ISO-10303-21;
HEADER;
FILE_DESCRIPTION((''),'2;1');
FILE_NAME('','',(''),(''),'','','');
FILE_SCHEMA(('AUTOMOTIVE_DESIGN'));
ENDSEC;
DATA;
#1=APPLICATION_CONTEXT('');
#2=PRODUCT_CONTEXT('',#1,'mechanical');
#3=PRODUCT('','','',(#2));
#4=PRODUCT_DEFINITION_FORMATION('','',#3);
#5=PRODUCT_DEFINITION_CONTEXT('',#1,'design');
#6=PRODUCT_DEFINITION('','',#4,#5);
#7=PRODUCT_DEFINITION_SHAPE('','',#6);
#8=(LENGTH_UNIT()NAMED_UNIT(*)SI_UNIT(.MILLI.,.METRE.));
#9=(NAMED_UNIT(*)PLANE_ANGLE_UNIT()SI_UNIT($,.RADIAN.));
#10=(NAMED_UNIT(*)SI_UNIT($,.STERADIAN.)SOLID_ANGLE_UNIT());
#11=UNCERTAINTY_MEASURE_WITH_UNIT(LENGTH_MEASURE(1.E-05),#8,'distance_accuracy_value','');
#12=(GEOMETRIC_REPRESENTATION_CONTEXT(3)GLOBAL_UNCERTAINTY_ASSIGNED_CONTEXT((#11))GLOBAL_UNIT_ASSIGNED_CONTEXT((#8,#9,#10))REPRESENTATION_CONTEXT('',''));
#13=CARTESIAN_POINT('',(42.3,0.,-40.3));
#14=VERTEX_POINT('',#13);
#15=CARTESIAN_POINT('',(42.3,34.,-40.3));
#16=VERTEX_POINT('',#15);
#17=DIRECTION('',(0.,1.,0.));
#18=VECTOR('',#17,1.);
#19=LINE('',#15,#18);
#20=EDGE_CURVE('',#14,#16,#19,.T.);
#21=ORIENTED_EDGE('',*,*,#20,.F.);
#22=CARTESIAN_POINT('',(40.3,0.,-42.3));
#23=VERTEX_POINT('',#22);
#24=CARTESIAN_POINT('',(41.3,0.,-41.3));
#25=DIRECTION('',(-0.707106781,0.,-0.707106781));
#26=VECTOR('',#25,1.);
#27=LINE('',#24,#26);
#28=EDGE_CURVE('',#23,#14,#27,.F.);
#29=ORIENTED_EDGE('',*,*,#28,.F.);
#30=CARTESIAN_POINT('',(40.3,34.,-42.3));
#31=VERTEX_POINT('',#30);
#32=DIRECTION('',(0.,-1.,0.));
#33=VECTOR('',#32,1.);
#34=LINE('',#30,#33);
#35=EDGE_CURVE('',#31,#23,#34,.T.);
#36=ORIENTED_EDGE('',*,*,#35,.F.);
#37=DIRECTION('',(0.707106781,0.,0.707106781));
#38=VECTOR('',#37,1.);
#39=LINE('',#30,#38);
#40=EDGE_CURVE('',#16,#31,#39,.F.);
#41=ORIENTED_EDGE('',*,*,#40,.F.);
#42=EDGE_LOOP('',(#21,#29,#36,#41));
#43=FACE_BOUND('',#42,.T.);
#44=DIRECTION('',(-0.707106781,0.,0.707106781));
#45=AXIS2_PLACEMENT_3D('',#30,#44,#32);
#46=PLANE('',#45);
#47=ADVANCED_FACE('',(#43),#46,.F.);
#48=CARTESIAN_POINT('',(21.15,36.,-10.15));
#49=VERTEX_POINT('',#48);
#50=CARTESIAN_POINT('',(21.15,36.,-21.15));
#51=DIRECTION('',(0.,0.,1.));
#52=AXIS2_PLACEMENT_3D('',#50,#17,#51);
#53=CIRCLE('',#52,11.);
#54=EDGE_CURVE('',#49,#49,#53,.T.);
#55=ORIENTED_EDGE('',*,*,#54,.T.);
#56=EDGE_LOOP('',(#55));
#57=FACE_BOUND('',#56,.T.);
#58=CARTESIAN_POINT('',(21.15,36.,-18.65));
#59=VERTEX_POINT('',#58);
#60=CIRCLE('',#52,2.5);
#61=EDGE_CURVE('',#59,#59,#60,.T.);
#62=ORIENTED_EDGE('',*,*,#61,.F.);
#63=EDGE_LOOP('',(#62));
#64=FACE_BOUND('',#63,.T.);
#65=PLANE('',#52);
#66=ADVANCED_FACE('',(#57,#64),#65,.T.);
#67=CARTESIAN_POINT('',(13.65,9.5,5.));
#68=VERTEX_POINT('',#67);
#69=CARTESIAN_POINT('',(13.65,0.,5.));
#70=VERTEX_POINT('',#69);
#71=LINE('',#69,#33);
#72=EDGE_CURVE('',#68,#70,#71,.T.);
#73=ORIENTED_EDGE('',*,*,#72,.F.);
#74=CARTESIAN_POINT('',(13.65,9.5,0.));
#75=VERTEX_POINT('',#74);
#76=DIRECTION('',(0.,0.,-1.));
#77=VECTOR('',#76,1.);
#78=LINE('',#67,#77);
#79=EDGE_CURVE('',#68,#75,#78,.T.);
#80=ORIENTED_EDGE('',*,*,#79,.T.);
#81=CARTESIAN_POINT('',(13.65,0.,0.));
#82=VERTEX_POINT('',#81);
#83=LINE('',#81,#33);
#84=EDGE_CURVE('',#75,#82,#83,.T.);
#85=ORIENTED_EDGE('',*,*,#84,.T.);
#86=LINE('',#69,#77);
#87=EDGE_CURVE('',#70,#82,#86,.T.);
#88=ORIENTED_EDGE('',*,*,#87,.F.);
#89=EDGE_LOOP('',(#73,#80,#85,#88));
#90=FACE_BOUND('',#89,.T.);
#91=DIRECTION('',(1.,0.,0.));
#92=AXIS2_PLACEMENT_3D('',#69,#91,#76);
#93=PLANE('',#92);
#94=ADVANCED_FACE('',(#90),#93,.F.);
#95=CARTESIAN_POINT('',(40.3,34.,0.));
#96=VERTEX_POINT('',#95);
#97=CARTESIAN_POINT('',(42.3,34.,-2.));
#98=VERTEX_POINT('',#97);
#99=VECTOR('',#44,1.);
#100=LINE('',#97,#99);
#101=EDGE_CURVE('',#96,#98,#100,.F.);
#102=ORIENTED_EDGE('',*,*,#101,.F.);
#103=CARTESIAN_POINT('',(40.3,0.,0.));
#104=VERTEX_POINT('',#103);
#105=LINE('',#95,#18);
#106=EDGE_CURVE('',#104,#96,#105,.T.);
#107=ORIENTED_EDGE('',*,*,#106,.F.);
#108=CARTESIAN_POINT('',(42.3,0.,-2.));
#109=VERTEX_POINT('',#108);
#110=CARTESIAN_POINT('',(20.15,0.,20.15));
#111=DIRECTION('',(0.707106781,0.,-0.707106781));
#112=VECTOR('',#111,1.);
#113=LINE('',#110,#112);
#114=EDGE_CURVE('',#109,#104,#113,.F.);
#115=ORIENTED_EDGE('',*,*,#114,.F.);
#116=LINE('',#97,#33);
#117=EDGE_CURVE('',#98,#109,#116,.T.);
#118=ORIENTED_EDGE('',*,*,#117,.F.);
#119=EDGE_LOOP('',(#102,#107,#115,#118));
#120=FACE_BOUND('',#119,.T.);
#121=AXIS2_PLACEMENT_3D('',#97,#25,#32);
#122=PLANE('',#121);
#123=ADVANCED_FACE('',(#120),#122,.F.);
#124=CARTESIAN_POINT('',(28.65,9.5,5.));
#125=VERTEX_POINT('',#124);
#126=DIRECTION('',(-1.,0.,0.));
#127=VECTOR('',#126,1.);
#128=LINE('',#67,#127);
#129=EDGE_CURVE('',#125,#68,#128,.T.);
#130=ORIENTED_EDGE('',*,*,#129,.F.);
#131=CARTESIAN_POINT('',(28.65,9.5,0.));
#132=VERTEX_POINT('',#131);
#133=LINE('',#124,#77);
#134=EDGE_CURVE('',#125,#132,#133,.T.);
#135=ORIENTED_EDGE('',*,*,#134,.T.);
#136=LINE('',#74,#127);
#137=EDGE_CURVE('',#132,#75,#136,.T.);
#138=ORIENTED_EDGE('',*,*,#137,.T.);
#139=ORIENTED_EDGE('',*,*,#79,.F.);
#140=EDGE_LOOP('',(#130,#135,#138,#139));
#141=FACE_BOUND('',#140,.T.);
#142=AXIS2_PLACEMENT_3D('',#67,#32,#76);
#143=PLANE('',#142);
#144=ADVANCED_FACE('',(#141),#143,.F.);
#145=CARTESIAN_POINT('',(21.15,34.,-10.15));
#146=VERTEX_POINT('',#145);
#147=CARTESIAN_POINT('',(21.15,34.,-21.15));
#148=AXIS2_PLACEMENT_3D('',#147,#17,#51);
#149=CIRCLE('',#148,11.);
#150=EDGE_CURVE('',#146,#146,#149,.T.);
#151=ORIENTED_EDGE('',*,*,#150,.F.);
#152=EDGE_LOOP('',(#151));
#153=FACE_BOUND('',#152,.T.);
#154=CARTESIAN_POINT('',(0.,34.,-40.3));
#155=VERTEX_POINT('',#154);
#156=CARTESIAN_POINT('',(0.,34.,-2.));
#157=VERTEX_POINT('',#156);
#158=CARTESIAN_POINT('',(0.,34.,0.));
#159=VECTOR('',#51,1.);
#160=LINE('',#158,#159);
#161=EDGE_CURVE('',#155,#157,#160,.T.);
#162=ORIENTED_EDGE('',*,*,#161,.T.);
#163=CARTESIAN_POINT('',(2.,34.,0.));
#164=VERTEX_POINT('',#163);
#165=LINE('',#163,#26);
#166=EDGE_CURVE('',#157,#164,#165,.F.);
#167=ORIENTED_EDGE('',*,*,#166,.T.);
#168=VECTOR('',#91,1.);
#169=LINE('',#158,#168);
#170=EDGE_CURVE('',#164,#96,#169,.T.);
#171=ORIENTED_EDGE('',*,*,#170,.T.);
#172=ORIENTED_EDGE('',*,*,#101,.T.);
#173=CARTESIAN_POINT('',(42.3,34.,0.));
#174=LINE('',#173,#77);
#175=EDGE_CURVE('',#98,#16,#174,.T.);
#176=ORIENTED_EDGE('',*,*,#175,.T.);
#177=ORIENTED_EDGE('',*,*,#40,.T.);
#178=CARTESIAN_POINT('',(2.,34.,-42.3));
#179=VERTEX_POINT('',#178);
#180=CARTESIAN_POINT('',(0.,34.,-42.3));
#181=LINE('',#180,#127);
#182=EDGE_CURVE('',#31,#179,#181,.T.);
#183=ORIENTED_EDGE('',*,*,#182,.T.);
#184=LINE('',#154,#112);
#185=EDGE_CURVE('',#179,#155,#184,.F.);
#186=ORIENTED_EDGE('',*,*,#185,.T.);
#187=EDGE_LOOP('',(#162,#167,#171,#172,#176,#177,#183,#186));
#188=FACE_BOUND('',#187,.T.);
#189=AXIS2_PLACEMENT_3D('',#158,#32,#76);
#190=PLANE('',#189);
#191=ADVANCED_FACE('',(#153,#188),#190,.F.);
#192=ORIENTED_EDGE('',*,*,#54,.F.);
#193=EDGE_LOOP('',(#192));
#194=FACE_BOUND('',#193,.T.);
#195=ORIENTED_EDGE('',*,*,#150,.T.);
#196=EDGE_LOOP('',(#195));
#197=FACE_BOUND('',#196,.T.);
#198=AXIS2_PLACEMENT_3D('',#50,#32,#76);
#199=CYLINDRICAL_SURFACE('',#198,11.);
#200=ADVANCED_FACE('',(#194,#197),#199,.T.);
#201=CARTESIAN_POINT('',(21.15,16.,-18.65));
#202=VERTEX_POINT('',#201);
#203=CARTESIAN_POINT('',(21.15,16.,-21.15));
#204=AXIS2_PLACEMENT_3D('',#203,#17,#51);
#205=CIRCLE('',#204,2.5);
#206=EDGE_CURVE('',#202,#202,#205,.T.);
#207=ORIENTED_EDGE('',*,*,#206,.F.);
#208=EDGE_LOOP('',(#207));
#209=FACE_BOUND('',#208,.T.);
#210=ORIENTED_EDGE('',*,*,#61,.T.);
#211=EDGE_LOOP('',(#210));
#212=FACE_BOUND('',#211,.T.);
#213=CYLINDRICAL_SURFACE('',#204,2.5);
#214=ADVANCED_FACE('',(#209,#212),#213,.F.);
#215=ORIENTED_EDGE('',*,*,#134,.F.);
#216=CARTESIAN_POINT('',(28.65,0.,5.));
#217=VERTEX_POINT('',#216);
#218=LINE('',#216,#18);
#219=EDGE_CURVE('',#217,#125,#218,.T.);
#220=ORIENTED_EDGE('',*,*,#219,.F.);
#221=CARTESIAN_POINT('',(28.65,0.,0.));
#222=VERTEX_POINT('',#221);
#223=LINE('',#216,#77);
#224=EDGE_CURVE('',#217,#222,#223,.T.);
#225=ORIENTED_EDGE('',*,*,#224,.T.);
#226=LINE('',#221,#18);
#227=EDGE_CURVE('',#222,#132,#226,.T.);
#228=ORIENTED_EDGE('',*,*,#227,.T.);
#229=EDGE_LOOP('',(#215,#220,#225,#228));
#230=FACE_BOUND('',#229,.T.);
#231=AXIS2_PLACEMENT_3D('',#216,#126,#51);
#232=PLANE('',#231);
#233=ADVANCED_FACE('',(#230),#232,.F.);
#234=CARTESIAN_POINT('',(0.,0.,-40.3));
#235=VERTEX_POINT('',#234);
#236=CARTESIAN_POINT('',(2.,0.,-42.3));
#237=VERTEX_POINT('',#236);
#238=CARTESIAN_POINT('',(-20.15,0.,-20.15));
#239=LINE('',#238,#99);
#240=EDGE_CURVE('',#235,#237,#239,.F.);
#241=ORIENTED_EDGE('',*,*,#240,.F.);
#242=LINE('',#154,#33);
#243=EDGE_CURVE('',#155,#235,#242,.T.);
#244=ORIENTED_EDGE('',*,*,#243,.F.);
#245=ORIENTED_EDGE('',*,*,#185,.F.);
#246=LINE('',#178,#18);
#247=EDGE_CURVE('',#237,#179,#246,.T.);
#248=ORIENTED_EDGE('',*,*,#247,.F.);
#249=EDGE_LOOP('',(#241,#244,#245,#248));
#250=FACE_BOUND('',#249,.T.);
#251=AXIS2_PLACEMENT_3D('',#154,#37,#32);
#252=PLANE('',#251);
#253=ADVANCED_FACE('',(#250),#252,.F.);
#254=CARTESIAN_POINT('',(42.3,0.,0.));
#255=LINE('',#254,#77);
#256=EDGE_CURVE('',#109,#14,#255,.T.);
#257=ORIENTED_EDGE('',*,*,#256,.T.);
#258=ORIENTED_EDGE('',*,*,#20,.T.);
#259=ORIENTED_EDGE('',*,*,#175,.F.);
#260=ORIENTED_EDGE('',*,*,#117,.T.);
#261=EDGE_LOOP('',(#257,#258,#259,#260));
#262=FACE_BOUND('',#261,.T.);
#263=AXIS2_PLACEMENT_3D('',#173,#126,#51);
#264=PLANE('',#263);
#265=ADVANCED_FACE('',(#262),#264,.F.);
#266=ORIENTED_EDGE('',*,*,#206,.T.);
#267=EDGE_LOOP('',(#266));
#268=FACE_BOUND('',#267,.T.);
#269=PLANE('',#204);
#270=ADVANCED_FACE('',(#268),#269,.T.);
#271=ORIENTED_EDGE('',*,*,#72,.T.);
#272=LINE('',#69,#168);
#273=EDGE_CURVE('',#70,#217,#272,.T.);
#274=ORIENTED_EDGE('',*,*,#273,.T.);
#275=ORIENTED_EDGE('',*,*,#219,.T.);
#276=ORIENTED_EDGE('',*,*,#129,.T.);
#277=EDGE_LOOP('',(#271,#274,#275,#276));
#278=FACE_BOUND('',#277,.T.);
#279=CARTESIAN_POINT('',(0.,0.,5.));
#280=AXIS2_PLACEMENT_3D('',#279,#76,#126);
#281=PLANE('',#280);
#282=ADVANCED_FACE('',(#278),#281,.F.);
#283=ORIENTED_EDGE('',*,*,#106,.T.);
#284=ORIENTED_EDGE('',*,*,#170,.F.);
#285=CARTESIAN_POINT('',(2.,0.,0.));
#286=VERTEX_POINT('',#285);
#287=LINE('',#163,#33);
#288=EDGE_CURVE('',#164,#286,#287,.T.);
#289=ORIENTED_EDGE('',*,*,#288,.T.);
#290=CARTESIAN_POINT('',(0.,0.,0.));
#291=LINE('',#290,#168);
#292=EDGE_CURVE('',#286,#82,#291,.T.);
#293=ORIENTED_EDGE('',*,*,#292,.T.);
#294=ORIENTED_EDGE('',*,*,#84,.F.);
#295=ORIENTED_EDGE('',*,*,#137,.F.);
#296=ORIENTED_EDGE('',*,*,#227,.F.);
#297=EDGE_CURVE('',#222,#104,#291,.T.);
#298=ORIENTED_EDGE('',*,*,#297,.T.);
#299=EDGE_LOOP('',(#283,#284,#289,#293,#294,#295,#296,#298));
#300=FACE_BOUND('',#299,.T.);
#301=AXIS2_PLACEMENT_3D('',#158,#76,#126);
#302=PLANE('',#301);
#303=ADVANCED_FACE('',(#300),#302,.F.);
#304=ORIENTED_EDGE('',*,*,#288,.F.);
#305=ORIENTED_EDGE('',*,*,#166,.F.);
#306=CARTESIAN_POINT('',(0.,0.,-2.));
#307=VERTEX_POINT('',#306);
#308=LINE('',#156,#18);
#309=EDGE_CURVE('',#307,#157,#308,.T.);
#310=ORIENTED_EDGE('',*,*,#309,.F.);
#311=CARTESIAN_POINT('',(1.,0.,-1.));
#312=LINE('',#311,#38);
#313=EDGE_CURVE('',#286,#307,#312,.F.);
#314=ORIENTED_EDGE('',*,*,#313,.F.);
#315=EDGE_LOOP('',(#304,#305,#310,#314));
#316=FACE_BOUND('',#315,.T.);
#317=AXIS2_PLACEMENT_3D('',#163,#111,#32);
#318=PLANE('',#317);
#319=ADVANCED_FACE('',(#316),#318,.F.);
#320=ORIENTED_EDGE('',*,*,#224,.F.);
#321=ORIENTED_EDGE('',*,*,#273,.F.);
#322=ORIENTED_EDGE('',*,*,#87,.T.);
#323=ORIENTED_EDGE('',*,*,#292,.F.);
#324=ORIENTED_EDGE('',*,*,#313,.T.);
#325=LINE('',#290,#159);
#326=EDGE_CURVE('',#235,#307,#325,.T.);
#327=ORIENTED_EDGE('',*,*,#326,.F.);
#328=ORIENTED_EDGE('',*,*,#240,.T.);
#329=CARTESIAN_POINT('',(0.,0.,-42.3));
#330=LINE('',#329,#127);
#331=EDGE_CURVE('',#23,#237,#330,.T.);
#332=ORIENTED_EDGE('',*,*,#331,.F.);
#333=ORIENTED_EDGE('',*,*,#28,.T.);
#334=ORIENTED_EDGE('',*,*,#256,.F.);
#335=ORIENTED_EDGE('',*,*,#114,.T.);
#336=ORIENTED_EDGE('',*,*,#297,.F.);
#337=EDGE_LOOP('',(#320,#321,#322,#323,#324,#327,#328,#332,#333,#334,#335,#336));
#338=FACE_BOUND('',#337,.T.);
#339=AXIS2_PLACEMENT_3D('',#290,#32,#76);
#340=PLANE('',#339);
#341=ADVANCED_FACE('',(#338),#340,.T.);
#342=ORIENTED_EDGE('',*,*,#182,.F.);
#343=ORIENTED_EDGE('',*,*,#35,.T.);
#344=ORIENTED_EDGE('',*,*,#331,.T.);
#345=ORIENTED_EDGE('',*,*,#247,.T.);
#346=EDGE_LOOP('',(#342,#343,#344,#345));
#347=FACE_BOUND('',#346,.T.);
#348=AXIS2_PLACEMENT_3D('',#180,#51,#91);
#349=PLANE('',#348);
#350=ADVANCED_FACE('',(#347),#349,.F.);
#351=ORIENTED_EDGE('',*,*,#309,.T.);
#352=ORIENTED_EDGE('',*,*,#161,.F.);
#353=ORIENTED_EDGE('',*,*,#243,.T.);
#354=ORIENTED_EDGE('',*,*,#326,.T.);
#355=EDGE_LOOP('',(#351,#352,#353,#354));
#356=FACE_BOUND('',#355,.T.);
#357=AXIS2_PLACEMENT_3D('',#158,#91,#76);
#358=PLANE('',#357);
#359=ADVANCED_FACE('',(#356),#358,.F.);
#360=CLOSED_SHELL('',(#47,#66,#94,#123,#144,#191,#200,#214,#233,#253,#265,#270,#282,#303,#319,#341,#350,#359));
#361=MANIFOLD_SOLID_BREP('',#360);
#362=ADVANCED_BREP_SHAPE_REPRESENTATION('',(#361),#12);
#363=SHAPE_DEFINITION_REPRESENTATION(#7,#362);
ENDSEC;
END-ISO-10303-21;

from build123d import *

# Parameters (mm, degrees)
SKETCH1_W           = 42.3
SKETCH1_H           = 42.3
BOSS_EXTRUDE1_DEPTH = 34
CHAMFER2_SIZE       = 2
SKETCH2_R           = 11
BOSS_EXTRUDE2_DEPTH = 2
SKETCH3_R           = 2.5
CUT_EXTRUDE2_DEPTH  = 20
SKETCH5_W           = 15
SKETCH5_H           = 9.5
BOSS_EXTRUDE4_DEPTH = 5


with BuildPart() as part:
    # Sketch1 → Boss-Extrude1 (new body)
    with BuildSketch(Plane(origin=(0, 0, 0), x_dir=(1, 0, 0), z_dir=(0, 1, 0))):
        with Locations((21.15, 21.15)):
            Rectangle(SKETCH1_W, SKETCH1_H)
    extrude(amount=BOSS_EXTRUDE1_DEPTH)

    # Chamfer2
    chamfer2_edges = [part.edges().sort_by_distance(p)[0] for p in [
        (0, 17, -42.3),
        (42.3, 17, -42.3),
        (42.3, 17, 0),
        (0, 17, 0),
    ]]
    chamfer(chamfer2_edges, length=CHAMFER2_SIZE)

    # Sketch2 → Boss-Extrude2 (add)
    with BuildSketch(Plane(origin=(0, 34, 0), x_dir=(1, 0, 0), z_dir=(0, 1, 0))):
        with Locations(Location((21.15, 21.15, 0), (0, 0, 270))):
            Circle(SKETCH2_R)
    extrude(amount=BOSS_EXTRUDE2_DEPTH)

    # Sketch3 → Cut-Extrude2 (cut)
    with BuildSketch(Plane(origin=(0, 36, 0), x_dir=(1, 0, 0), z_dir=(0, 1, 0))):
        with Locations(Location((21.15, 21.15, 0), (0, 0, 270))):
            Circle(SKETCH3_R)
    extrude(amount=-CUT_EXTRUDE2_DEPTH, mode=Mode.SUBTRACT)

    # Sketch5 → Boss-Extrude4 (add)
    with BuildSketch(Plane.XY):
        with Locations((21.15, 4.75)):
            Rectangle(SKETCH5_W, SKETCH5_H)
    extrude(amount=BOSS_EXTRUDE4_DEPTH)


solid = part.part
